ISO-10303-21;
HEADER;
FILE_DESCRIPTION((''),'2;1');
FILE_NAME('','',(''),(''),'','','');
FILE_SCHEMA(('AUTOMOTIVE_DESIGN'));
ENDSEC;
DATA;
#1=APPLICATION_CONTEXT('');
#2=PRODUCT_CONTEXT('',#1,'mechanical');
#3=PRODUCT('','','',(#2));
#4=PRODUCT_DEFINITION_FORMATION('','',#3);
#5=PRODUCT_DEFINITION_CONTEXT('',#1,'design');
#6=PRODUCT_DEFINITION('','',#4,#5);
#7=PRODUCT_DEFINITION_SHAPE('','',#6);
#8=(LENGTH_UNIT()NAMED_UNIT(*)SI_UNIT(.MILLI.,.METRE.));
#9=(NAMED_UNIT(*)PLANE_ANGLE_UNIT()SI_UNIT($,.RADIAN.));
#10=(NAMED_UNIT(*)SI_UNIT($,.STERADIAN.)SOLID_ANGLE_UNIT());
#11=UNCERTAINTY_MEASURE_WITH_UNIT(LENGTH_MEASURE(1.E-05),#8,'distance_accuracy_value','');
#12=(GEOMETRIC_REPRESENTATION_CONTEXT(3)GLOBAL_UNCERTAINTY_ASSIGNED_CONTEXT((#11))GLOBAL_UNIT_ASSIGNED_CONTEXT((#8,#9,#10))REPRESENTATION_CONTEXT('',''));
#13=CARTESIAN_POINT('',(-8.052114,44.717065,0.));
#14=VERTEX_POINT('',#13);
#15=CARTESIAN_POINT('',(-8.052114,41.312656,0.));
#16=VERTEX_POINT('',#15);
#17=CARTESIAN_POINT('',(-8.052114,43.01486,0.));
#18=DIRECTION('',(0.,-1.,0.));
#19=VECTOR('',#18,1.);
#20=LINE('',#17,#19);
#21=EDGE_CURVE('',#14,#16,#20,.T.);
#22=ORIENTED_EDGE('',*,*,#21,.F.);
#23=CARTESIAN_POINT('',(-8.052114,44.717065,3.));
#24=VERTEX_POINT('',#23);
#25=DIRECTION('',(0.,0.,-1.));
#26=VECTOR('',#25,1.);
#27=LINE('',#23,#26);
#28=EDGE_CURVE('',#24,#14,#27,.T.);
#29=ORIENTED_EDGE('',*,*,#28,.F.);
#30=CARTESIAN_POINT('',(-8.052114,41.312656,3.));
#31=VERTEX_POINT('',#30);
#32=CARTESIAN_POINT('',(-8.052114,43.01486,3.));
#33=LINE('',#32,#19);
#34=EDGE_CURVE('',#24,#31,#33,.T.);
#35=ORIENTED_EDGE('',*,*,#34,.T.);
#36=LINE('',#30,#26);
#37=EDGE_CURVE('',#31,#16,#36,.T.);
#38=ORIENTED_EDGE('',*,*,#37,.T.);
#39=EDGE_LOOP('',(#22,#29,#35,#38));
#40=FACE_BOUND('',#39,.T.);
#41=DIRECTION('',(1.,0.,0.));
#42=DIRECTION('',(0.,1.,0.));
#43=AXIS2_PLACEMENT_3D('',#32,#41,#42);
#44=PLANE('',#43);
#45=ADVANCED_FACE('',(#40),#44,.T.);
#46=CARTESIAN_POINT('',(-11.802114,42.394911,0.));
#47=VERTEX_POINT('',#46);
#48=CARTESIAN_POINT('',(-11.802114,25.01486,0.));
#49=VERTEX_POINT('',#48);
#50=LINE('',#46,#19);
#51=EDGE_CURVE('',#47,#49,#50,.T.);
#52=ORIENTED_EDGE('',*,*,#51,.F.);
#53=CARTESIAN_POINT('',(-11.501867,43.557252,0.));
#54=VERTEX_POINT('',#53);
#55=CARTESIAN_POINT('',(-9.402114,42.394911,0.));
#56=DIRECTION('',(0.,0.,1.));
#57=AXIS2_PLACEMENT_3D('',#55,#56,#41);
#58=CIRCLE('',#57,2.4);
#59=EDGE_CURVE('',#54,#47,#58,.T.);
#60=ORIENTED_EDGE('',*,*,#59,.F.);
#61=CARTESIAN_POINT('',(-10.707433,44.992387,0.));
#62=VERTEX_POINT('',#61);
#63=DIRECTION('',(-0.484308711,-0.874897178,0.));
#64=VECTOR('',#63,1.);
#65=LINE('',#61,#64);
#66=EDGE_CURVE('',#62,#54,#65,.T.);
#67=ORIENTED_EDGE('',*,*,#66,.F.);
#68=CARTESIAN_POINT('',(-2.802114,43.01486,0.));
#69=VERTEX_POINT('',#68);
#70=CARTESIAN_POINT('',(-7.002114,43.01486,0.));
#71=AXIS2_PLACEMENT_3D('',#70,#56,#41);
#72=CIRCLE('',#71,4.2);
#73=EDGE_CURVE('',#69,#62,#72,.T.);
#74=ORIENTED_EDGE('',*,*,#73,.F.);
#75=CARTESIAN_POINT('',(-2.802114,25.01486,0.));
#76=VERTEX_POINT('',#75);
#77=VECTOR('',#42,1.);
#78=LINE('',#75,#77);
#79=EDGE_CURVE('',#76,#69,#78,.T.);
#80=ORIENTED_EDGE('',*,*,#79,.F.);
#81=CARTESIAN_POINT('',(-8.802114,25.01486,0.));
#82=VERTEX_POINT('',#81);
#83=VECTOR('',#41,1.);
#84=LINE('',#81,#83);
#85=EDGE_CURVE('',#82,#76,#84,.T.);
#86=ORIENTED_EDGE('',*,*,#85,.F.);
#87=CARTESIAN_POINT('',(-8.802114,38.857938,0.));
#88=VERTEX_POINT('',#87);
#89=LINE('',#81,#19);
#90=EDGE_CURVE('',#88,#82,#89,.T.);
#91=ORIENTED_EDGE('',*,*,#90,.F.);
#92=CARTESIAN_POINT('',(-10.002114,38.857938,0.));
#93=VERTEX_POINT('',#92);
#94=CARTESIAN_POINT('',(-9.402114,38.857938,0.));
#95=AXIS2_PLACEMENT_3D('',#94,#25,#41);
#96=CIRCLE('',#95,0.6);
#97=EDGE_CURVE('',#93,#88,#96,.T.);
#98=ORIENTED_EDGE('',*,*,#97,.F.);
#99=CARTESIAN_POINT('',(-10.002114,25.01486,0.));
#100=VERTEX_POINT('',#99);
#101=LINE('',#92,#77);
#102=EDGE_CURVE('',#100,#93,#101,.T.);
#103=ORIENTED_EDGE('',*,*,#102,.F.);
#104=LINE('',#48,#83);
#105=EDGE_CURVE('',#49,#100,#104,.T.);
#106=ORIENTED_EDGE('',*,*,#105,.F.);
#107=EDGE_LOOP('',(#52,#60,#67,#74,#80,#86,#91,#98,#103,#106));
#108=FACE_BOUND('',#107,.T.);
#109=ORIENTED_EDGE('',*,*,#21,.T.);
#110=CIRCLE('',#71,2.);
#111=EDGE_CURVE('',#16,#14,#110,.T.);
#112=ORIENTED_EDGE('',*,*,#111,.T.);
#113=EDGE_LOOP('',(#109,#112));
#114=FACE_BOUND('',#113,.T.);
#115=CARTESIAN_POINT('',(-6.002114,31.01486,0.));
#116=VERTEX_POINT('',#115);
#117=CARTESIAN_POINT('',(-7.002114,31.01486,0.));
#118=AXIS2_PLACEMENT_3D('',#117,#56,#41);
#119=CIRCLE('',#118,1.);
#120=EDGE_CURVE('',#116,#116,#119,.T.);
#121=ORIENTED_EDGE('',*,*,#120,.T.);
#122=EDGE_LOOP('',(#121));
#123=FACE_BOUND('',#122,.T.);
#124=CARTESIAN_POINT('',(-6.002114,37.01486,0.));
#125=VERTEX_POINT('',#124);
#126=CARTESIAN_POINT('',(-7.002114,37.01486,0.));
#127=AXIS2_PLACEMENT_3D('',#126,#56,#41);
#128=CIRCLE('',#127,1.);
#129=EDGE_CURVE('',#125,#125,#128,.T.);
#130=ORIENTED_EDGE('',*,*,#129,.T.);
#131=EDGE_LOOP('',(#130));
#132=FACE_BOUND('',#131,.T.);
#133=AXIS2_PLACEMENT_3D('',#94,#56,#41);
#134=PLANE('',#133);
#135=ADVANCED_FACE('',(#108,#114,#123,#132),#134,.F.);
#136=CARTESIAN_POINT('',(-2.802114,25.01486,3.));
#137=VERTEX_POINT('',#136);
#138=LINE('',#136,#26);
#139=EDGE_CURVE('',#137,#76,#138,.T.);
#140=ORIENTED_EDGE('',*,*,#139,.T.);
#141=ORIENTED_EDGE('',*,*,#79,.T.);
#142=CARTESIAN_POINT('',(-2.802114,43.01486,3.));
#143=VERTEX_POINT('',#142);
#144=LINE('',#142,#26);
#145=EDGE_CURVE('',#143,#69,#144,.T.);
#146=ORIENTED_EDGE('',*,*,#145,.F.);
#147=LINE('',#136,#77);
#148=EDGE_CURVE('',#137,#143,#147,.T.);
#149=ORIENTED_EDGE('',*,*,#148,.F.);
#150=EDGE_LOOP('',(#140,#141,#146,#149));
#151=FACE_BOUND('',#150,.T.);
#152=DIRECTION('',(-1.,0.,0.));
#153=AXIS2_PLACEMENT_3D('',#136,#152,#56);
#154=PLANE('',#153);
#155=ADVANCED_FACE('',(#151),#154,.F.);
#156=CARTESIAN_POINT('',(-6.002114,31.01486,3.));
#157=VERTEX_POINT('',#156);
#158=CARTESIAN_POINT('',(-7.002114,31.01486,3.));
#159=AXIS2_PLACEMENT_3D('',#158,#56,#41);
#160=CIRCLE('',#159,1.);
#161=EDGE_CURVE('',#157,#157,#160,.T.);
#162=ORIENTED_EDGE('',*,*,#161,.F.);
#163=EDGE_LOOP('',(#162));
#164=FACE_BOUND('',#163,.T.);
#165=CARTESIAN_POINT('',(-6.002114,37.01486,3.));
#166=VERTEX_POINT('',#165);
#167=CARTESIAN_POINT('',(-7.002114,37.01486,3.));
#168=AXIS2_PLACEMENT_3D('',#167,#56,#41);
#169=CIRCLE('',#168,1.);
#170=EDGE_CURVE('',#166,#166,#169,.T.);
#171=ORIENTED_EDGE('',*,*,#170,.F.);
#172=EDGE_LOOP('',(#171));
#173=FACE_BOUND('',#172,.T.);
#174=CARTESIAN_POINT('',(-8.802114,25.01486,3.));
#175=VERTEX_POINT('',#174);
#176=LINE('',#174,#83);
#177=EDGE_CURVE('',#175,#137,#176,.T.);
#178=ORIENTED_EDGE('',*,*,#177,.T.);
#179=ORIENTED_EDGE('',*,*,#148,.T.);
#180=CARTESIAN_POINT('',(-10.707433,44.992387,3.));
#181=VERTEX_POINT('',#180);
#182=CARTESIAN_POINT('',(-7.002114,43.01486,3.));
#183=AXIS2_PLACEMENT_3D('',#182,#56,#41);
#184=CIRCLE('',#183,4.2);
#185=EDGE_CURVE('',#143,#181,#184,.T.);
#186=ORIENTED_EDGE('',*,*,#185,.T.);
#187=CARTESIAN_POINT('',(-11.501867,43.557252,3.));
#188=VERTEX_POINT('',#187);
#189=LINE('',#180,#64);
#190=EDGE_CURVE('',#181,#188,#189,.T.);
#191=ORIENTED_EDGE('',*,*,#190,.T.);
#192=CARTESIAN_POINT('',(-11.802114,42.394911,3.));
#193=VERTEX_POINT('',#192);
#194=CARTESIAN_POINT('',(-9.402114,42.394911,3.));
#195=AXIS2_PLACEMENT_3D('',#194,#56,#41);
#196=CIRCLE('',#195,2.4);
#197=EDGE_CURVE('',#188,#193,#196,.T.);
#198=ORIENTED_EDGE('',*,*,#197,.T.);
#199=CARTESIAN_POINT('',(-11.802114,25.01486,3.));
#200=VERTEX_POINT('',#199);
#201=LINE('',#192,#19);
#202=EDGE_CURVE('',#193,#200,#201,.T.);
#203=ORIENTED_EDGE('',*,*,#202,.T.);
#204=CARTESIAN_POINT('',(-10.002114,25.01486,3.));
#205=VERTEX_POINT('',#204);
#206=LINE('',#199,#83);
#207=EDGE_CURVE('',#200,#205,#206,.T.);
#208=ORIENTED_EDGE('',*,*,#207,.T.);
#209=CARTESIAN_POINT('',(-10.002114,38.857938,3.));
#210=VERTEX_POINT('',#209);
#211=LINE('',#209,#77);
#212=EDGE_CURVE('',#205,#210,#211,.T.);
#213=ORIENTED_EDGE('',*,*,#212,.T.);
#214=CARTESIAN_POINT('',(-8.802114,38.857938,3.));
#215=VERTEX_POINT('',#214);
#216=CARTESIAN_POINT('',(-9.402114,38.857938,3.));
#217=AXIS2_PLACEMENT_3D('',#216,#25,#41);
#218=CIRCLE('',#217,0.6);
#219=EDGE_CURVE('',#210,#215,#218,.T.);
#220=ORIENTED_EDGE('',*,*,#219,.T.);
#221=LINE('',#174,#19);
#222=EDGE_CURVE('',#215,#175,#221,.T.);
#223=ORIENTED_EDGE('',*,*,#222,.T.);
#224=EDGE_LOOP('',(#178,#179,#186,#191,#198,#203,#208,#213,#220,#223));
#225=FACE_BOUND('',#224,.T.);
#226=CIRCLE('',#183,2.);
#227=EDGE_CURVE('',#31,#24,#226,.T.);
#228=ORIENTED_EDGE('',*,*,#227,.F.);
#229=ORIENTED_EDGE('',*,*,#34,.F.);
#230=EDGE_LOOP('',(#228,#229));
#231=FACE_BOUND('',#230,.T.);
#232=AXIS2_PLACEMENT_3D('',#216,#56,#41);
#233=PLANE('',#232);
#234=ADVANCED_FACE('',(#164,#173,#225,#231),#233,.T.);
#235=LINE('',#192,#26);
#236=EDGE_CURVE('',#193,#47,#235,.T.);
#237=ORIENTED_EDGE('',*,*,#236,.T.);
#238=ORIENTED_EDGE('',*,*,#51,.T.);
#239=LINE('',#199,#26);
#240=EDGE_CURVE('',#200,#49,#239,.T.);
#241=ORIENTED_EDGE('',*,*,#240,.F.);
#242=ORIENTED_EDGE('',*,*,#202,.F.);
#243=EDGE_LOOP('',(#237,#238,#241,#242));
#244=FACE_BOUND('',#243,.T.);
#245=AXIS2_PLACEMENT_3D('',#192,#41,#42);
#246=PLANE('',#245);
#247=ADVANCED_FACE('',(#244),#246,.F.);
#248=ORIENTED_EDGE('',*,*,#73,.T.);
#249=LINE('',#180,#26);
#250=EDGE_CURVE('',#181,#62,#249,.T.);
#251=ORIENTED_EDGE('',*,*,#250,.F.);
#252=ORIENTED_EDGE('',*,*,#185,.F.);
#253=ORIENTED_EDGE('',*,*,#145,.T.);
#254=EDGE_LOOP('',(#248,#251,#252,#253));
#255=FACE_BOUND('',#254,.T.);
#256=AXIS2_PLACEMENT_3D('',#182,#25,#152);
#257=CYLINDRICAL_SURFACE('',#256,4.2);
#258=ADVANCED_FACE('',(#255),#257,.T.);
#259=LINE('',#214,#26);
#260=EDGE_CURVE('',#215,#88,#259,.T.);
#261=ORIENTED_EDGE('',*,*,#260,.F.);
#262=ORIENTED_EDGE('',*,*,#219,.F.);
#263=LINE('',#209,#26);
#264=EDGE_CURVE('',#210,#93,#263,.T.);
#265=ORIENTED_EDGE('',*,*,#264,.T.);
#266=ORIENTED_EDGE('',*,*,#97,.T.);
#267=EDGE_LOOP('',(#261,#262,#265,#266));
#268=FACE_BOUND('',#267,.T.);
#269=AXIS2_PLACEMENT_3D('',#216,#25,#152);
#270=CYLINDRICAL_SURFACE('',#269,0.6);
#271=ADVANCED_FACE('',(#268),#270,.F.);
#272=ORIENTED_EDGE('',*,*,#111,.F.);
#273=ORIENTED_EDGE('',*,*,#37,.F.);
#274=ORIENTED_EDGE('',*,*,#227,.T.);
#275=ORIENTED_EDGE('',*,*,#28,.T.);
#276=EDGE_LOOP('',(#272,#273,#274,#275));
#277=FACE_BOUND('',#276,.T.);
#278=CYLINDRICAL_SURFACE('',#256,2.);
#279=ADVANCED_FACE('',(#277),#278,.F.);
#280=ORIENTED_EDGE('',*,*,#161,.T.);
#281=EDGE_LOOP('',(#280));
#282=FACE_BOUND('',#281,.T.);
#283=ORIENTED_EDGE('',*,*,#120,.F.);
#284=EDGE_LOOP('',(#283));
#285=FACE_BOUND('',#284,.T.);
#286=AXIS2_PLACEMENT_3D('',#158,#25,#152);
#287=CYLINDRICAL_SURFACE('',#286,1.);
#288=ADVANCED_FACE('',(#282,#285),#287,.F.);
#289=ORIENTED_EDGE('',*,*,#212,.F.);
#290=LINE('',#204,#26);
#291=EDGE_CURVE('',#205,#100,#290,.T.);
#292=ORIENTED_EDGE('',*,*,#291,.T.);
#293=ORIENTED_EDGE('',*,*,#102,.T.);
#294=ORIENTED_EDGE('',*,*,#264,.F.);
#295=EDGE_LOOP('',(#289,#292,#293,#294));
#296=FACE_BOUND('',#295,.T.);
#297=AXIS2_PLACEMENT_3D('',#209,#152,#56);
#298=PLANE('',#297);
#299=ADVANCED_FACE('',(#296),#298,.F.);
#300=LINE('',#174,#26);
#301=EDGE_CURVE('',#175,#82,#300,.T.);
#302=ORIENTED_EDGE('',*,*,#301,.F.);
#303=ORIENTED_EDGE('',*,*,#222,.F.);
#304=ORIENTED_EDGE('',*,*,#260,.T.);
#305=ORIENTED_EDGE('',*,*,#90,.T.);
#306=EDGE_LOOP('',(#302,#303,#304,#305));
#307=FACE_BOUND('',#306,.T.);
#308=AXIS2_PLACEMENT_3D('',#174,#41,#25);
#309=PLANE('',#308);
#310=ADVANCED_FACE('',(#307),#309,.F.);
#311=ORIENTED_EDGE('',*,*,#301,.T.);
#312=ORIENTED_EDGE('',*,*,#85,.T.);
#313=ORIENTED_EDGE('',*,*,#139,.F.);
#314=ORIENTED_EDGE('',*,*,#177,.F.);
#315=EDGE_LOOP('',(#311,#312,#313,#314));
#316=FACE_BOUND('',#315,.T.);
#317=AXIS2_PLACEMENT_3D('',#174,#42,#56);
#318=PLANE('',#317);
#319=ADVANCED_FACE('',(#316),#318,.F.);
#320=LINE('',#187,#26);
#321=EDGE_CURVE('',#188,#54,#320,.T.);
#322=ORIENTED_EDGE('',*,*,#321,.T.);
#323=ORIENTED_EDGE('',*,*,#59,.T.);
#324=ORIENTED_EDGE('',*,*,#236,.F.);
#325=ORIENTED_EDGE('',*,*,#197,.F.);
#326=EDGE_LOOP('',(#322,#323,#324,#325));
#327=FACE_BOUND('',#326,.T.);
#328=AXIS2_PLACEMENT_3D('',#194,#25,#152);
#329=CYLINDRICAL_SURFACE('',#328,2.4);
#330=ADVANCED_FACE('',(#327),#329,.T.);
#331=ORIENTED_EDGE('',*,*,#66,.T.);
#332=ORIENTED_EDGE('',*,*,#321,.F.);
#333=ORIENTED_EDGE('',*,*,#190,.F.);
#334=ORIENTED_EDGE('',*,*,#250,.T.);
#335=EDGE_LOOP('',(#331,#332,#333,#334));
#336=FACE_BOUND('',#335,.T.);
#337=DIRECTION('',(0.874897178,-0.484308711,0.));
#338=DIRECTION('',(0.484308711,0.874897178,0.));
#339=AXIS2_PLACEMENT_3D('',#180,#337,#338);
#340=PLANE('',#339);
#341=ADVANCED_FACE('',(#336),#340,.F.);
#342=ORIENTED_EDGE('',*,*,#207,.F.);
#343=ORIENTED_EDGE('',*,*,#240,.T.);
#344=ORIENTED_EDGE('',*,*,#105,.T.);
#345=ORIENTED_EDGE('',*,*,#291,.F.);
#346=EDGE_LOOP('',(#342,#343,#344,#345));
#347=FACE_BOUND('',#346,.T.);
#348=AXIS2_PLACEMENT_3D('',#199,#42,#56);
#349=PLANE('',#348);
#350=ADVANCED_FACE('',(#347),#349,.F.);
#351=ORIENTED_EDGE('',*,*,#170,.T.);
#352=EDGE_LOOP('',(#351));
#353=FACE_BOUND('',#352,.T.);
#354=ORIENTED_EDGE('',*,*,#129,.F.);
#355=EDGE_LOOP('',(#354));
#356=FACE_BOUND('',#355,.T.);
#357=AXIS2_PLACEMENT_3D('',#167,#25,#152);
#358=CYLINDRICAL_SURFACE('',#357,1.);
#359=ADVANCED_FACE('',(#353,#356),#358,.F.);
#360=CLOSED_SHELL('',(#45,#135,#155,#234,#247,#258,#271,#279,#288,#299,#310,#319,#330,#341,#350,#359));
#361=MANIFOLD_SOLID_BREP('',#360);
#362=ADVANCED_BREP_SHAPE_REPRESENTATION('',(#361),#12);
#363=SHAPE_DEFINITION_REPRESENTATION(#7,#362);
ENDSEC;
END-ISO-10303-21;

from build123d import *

# Parameters (mm, degrees)
SKETCH_1_R      = 1
EXTRUDE_2_DEPTH = 3


with BuildPart() as part:
    # 草图1 → 凸台-拉伸2 (new body)
    with BuildSketch(Plane.XY):
        with BuildLine():
            Line((-8.802114216, 25.014860267), (-8.802114216, 38.857938329))
            ThreePointArc((-8.802114216, 38.857938329), (-9.402114216, 39.457938329), (-10.002114216, 38.857938329))
            Line((-10.002114216, 38.857938329), (-10.002114216, 25.014860267))
            Line((-10.002114216, 25.014860267), (-11.802114216, 25.014860267))
            Line((-11.802114216, 25.014860267), (-11.802114216, 42.39491112))
            ThreePointArc((-11.802114216, 42.39491112), (-11.725840507, 42.995157842), (-11.501867444, 43.557252027))
            Line((-11.501867444, 43.557252027), (-10.707433177, 44.992386854))
            ThreePointArc((-10.707433177, 44.992386854), (-5.982884025, 47.089313582), (-2.802114216, 43.014860267))
            Line((-2.802114216, 43.014860267), (-2.802114216, 25.014860267))
            Line((-2.802114216, 25.014860267), (-8.802114216, 25.014860267))
        make_face()
        with Locations((-7.002114216, 37.014860267)):
            Circle(SKETCH_1_R, mode=Mode.SUBTRACT)
        with Locations((-7.002114216, 31.014860267)):
            Circle(SKETCH_1_R, mode=Mode.SUBTRACT)
        with BuildLine():
            Line((-8.052114216, 43.014860267), (-8.052114216, 41.312655814))
            ThreePointArc((-8.052114216, 41.312655814), (-5.002114216, 43.014860267), (-8.052114216, 44.71706472))
            Line((-8.052114216, 44.71706472), (-8.052114216, 43.014860267))
        make_face(mode=Mode.SUBTRACT)
    extrude(amount=EXTRUDE_2_DEPTH)


solid = part.part
